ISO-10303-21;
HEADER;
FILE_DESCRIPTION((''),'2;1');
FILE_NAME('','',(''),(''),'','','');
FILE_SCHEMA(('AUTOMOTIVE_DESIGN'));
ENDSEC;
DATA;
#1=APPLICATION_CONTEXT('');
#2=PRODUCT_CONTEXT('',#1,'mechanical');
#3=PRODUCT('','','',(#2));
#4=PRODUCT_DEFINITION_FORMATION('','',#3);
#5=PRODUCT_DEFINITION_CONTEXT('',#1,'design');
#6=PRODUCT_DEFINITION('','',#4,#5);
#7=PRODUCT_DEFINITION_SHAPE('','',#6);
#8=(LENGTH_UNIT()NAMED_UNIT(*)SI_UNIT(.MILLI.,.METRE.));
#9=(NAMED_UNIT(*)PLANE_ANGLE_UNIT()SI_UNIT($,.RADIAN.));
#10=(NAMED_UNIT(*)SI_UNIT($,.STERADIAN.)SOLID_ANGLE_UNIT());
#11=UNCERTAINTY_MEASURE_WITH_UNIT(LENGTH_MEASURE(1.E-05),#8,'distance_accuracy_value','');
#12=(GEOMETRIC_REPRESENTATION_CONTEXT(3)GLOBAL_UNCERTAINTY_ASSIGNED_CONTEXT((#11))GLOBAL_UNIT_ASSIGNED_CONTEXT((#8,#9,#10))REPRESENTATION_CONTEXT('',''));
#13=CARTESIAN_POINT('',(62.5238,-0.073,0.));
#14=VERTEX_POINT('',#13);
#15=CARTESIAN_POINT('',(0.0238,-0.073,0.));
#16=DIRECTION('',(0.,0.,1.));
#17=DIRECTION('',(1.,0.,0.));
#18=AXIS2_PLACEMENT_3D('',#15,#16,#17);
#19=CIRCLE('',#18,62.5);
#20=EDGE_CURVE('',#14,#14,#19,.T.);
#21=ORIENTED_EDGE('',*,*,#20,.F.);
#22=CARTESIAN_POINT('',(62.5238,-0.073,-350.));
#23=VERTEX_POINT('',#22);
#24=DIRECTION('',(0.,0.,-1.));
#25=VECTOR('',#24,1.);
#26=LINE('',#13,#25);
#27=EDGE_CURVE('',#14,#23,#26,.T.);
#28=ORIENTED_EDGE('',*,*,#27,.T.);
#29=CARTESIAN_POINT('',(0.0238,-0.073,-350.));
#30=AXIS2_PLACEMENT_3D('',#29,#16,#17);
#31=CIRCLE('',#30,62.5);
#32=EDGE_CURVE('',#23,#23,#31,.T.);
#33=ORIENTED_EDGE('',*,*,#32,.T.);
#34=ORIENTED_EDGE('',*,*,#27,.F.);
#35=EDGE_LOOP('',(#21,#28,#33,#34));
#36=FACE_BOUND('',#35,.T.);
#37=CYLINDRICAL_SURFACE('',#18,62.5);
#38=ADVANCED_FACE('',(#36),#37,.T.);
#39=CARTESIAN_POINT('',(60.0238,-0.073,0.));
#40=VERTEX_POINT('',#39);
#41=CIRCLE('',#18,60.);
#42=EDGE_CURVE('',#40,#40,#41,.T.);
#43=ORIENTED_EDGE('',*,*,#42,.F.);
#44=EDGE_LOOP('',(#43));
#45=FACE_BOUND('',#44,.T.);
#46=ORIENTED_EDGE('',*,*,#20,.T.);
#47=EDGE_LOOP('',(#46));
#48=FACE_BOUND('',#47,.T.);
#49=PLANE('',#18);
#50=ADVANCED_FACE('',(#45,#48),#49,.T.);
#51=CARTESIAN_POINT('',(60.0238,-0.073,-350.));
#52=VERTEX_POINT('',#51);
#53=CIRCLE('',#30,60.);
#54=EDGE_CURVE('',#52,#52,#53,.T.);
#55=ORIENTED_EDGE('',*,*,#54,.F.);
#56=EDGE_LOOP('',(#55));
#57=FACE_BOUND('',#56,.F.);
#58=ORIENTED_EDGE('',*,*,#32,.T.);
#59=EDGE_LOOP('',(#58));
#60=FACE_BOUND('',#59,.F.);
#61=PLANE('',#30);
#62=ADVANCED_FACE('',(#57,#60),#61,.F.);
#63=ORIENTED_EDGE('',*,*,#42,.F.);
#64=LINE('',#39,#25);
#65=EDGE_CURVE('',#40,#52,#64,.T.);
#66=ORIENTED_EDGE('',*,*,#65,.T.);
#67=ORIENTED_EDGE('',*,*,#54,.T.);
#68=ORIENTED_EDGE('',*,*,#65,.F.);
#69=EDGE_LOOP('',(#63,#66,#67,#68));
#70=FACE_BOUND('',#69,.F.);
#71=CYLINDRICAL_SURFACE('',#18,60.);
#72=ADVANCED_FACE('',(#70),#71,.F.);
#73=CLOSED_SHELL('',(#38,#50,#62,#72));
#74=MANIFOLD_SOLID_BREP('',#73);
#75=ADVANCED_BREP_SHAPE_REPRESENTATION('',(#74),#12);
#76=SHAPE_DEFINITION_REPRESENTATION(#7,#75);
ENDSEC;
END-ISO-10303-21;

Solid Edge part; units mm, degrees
sketch "Sketch1" plane through (0, 0, 0) normal (0, 0, 1) x (1, 0, 0)
  circle A0 centre (0.0238, -0.073) radius 62.5
extrude "Protrusion1" add sketch "Sketch1" against normal blind 350
shell "Thinwall_1" thickness 2.5 removed faces 2 at (-42.8929, -40.4897, 0) at (-42.8929, -40.4897, -350)
